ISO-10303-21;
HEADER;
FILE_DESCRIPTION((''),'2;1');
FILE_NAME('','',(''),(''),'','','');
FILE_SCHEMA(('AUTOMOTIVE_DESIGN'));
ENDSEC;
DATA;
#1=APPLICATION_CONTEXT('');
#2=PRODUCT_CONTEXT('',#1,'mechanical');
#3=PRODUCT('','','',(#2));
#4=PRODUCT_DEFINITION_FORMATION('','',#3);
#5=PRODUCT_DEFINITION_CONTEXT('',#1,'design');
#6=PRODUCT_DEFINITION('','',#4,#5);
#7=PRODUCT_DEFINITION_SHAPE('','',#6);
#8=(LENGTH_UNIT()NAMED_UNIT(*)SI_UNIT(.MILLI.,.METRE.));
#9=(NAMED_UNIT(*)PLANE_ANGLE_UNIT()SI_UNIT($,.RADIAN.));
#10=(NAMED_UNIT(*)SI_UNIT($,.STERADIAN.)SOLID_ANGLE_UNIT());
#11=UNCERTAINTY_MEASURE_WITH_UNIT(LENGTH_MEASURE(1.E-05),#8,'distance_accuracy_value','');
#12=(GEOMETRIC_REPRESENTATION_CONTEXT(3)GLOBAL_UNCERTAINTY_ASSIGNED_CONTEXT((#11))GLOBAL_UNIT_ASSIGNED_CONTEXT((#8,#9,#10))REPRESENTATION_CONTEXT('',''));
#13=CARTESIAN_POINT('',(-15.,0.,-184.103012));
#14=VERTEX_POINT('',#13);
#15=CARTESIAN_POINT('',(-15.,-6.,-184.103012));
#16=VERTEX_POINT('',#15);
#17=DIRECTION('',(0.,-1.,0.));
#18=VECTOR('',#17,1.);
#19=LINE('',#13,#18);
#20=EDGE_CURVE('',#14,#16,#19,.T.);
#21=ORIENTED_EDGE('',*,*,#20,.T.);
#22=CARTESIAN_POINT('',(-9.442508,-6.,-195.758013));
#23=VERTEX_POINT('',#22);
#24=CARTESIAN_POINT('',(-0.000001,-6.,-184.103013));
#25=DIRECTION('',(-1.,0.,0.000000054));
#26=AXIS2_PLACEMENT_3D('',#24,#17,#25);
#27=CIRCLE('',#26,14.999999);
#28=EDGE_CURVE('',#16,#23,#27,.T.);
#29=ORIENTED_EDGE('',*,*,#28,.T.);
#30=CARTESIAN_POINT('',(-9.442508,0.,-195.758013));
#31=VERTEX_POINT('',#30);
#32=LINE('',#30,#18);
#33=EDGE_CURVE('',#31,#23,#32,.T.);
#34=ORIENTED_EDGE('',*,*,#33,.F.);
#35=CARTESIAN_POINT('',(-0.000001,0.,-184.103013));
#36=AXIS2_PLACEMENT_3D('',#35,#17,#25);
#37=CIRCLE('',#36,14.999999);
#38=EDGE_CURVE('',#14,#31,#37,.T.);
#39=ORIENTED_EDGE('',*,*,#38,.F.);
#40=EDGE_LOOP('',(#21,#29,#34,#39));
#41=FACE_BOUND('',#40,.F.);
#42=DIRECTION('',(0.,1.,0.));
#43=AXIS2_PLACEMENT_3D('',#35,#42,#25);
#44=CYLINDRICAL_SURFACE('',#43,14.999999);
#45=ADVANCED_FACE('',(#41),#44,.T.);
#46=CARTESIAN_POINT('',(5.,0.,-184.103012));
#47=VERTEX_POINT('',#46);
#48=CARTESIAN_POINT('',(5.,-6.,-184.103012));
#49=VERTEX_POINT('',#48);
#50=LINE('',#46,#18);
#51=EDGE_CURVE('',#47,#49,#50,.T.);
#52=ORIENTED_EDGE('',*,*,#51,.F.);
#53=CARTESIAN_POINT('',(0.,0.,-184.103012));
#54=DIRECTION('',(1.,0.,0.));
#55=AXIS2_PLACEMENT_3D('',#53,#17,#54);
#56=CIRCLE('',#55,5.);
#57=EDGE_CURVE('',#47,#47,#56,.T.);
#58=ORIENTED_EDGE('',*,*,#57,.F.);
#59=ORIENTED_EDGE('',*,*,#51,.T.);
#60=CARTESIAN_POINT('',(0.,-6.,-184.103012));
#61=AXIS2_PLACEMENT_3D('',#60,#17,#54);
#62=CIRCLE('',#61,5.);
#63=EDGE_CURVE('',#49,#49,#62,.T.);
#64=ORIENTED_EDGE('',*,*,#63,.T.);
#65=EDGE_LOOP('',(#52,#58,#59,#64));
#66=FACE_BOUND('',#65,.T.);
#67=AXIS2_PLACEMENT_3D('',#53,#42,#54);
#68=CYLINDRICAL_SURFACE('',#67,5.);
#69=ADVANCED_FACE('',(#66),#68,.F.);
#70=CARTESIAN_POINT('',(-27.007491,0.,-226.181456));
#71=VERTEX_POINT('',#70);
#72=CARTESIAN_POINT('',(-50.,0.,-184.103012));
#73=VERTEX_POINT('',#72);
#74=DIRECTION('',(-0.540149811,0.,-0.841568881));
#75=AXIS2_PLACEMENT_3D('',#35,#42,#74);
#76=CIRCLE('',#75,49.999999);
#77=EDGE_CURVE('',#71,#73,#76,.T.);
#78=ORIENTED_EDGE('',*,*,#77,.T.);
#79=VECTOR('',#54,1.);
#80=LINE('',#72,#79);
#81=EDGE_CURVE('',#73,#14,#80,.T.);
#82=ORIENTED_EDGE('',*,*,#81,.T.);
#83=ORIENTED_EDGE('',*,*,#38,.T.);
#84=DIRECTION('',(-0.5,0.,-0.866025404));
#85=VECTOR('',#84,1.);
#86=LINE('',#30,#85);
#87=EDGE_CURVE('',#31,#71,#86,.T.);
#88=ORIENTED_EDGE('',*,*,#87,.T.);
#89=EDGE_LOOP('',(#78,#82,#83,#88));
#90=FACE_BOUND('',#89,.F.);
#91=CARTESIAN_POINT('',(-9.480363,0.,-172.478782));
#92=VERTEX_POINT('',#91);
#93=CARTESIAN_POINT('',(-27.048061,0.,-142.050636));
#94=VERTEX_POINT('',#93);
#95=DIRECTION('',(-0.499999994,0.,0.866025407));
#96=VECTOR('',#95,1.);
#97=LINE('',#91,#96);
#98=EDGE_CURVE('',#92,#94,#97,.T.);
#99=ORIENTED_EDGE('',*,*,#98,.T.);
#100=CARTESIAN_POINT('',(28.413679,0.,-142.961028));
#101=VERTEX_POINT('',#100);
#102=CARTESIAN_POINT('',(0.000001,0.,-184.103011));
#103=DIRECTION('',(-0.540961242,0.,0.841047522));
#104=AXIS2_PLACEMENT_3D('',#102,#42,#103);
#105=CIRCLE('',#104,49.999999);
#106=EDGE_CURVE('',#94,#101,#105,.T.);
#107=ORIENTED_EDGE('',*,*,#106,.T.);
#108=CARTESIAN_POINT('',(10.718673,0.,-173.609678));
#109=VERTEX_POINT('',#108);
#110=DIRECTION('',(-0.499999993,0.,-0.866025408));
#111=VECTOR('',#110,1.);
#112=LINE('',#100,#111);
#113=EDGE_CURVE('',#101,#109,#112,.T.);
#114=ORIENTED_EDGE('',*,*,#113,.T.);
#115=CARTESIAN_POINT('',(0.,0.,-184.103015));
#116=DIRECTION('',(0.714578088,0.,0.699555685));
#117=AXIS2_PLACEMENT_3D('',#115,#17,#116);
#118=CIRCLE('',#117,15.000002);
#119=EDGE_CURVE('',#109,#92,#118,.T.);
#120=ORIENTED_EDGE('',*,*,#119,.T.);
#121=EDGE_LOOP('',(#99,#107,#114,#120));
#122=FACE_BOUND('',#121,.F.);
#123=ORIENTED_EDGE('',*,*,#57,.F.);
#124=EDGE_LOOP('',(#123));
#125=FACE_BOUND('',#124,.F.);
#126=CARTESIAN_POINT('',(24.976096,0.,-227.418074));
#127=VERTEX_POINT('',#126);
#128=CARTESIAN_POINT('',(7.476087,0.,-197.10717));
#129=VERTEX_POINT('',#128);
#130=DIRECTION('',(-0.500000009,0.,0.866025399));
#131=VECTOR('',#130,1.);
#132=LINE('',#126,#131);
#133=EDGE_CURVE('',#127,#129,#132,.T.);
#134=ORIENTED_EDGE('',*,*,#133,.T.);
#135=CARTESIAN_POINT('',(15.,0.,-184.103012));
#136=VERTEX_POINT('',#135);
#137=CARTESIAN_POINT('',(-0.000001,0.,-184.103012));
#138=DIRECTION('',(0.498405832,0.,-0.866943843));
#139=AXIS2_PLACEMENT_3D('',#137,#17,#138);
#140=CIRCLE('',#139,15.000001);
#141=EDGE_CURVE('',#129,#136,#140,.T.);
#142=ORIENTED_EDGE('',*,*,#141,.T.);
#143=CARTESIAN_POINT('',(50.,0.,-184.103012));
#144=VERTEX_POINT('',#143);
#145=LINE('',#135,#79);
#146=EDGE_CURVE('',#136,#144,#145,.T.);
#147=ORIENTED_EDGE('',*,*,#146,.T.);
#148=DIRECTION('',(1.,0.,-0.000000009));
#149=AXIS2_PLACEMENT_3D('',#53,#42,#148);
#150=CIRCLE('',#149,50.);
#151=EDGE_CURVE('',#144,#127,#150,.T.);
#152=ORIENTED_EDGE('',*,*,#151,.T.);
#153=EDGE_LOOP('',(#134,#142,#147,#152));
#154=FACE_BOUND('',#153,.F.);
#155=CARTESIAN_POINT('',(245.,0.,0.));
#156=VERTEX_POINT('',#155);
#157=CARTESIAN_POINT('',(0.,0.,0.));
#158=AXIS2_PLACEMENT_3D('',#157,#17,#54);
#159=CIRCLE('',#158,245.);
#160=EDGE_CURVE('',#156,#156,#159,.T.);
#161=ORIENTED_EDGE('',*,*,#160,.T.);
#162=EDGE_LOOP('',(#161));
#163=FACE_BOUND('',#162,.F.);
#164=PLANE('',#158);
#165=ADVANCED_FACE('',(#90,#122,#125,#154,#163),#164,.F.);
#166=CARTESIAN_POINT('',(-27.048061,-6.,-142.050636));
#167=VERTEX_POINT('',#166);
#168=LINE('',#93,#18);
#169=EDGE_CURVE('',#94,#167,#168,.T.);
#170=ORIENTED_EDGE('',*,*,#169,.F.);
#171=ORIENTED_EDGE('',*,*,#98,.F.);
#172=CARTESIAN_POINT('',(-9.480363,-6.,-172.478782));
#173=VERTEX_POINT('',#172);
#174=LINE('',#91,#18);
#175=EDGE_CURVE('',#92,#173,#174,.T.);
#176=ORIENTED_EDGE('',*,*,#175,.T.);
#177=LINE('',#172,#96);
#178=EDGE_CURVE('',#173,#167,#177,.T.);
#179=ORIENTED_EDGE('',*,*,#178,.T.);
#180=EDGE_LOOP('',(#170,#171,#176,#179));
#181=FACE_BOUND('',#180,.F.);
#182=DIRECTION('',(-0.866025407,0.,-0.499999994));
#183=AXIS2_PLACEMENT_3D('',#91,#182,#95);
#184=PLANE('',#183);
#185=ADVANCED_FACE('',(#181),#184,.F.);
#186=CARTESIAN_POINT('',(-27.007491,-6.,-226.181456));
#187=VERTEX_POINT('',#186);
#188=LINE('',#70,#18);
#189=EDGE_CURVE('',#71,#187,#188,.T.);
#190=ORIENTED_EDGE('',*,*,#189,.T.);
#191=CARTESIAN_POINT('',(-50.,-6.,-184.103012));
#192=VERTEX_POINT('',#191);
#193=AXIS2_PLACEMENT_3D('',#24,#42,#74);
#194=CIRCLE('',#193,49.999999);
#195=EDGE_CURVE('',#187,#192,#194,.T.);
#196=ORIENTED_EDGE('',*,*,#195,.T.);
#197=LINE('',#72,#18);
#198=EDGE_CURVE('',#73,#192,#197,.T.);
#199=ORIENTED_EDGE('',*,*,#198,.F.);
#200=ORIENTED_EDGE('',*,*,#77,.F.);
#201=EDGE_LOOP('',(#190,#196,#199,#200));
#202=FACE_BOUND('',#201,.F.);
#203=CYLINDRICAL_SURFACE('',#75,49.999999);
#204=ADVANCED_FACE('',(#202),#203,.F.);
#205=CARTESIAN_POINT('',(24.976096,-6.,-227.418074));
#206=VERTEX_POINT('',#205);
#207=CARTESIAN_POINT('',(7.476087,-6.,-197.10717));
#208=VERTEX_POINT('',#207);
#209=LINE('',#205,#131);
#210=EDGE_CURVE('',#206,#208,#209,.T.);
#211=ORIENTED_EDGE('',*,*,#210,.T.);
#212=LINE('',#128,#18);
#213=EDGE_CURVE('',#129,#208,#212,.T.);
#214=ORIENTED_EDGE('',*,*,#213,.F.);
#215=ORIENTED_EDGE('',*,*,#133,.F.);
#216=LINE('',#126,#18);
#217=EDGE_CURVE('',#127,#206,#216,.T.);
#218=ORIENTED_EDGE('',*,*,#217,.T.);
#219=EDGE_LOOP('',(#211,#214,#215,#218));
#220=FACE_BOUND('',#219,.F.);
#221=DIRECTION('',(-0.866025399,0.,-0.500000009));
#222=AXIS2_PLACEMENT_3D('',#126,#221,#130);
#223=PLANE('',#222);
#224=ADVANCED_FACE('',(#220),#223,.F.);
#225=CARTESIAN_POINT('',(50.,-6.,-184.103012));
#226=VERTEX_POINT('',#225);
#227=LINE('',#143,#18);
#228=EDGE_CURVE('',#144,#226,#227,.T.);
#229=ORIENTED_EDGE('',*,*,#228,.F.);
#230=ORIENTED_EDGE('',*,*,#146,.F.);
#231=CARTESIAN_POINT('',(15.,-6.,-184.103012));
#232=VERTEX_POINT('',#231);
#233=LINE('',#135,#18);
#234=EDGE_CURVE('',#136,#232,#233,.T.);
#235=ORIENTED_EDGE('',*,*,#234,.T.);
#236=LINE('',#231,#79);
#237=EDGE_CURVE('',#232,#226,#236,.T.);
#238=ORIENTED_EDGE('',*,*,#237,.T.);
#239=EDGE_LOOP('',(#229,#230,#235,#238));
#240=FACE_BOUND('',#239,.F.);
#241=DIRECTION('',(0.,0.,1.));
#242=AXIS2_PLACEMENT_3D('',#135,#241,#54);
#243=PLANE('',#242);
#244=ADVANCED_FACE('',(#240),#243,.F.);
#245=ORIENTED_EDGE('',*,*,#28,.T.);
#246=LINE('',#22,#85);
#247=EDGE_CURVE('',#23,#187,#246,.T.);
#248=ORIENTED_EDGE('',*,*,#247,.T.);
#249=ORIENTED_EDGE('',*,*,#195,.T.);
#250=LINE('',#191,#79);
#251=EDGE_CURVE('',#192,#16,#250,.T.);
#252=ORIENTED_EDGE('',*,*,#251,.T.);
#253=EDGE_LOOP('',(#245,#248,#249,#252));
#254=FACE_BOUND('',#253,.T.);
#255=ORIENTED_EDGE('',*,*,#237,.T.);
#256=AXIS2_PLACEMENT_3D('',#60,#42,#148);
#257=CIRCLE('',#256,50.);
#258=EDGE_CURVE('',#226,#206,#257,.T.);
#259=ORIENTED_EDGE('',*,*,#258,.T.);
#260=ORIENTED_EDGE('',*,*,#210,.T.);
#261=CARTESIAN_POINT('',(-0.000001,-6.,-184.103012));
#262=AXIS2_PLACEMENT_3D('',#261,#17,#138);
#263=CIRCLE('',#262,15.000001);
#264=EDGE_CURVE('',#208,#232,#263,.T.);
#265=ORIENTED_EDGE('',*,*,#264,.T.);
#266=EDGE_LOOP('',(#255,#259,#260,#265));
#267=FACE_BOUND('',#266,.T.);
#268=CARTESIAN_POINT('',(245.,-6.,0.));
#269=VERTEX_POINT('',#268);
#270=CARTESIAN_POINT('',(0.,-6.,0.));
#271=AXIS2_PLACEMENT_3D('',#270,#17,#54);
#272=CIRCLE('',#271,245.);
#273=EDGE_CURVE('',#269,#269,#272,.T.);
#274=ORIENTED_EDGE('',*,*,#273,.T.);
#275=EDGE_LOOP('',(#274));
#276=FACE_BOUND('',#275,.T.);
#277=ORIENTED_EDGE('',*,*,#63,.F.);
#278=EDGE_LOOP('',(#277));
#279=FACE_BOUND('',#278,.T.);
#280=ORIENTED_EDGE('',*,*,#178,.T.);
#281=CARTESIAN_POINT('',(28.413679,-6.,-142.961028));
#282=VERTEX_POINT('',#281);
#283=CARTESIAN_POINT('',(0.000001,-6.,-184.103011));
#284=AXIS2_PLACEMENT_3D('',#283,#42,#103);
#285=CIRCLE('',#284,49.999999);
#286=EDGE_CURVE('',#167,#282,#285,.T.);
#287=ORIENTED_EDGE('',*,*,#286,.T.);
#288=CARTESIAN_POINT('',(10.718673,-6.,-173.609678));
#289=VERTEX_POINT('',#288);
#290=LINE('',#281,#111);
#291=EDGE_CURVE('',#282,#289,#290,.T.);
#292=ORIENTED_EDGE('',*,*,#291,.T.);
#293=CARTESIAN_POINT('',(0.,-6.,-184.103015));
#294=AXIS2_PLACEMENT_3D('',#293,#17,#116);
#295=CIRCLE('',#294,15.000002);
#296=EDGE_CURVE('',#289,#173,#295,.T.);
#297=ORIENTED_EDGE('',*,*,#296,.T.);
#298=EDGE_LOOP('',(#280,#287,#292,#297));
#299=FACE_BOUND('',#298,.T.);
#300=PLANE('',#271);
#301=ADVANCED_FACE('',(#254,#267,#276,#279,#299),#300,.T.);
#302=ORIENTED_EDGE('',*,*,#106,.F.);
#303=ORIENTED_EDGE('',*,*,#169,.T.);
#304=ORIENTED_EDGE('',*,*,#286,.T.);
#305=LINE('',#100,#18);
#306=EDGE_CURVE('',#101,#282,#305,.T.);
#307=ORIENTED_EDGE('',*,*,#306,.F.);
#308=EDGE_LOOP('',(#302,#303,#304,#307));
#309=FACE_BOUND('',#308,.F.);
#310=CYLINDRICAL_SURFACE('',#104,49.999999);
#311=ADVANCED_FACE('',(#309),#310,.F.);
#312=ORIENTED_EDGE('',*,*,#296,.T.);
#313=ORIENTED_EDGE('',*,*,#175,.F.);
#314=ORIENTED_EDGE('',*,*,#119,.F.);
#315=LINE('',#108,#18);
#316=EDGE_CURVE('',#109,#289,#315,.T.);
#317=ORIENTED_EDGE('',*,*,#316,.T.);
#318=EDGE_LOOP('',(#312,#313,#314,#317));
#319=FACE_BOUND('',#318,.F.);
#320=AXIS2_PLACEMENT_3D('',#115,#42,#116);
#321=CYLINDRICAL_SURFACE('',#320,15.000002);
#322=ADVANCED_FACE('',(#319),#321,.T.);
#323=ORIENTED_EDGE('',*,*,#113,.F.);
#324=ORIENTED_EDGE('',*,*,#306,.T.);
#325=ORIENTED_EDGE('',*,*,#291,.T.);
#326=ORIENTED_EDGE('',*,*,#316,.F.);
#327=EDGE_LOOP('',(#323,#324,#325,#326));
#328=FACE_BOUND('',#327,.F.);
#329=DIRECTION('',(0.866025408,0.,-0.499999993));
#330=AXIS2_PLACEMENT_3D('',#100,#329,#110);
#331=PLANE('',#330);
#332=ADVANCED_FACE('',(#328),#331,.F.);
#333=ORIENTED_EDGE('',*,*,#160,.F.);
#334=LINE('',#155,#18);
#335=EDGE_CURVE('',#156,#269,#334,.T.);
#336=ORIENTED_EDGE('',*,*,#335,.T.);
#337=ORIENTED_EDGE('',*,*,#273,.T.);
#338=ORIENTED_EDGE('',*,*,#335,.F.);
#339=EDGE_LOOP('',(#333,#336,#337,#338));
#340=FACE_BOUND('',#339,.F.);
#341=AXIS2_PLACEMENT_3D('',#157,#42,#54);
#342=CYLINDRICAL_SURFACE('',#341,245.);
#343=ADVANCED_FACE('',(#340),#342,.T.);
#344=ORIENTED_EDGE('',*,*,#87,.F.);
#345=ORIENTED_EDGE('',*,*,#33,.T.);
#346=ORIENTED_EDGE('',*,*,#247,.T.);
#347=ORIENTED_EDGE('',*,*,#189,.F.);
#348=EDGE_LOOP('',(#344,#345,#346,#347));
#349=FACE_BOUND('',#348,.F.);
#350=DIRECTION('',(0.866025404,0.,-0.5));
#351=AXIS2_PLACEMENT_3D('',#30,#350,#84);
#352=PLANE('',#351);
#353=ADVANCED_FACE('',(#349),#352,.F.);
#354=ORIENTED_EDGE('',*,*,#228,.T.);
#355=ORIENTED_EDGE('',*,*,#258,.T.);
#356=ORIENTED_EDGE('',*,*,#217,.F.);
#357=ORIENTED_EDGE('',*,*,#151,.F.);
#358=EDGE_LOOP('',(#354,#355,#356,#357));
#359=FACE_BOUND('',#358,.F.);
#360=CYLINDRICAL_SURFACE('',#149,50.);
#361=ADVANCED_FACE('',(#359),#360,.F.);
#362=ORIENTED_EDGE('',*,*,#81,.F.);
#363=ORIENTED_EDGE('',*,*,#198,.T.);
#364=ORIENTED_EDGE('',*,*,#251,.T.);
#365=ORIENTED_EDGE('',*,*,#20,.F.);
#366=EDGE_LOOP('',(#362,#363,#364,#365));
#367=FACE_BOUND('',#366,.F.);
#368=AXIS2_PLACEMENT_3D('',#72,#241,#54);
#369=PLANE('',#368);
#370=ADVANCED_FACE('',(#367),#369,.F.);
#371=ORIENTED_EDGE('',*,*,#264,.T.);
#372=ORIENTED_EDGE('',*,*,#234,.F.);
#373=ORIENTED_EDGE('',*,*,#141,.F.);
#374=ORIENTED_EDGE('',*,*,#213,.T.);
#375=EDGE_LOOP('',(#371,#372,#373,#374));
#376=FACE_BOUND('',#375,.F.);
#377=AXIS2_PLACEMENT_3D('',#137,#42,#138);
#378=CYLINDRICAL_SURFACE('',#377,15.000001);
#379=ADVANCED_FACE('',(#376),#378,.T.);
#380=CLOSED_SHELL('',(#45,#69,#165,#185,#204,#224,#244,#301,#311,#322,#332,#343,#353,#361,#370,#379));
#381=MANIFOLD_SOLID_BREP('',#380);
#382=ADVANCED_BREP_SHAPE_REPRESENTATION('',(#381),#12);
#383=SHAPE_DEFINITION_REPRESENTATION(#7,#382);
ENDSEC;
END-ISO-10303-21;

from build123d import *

# Parameters (mm, degrees)
F0_R     = 245
F0_R_2   = 5
F1_DEPTH = 6


with BuildPart() as f1:
    # F0 (on Front) → F1 (new body)
    with BuildSketch(Plane.XZ):
        Circle(F0_R)
        with BuildLine():
            ThreePointArc((-27.007491, -226.181456), (-43.876956, -208.078265), (-50, -184.103012))
            Line((-50, -184.103012), (-15, -184.103012))
            ThreePointArc((-15, -184.103012), (-13.539528, -190.559109), (-9.442508, -195.758013))
            Line((-9.442508, -195.758013), (-27.007491, -226.181456))
        make_face(mode=Mode.SUBTRACT)
        with BuildLine():
            Line((15, -184.103012), (50, -184.103012))
            ThreePointArc((50, -184.103012), (43.294369, -209.114961), (24.976096, -227.418074))
            Line((24.976096, -227.418074), (7.476087, -197.10717))
            ThreePointArc((7.476087, -197.10717), (12.983476, -191.614959), (15, -184.103012))
        make_face(mode=Mode.SUBTRACT)
        with Locations((0, -184.103012)):
            Circle(F0_R_2, mode=Mode.SUBTRACT)
        with BuildLine():
            Line((-9.480363, -172.478782), (-27.048061, -142.050636))
            ThreePointArc((-27.048061, -142.050636), (0.820629, -134.109747), (28.413679, -142.961028))
            Line((28.413679, -142.961028), (10.718673, -173.609678))
            ThreePointArc((10.718673, -173.609678), (0.838501, -169.126467), (-9.480363, -172.478782))
        make_face(mode=Mode.SUBTRACT)
    extrude(amount=F1_DEPTH)


solid = f1.part
